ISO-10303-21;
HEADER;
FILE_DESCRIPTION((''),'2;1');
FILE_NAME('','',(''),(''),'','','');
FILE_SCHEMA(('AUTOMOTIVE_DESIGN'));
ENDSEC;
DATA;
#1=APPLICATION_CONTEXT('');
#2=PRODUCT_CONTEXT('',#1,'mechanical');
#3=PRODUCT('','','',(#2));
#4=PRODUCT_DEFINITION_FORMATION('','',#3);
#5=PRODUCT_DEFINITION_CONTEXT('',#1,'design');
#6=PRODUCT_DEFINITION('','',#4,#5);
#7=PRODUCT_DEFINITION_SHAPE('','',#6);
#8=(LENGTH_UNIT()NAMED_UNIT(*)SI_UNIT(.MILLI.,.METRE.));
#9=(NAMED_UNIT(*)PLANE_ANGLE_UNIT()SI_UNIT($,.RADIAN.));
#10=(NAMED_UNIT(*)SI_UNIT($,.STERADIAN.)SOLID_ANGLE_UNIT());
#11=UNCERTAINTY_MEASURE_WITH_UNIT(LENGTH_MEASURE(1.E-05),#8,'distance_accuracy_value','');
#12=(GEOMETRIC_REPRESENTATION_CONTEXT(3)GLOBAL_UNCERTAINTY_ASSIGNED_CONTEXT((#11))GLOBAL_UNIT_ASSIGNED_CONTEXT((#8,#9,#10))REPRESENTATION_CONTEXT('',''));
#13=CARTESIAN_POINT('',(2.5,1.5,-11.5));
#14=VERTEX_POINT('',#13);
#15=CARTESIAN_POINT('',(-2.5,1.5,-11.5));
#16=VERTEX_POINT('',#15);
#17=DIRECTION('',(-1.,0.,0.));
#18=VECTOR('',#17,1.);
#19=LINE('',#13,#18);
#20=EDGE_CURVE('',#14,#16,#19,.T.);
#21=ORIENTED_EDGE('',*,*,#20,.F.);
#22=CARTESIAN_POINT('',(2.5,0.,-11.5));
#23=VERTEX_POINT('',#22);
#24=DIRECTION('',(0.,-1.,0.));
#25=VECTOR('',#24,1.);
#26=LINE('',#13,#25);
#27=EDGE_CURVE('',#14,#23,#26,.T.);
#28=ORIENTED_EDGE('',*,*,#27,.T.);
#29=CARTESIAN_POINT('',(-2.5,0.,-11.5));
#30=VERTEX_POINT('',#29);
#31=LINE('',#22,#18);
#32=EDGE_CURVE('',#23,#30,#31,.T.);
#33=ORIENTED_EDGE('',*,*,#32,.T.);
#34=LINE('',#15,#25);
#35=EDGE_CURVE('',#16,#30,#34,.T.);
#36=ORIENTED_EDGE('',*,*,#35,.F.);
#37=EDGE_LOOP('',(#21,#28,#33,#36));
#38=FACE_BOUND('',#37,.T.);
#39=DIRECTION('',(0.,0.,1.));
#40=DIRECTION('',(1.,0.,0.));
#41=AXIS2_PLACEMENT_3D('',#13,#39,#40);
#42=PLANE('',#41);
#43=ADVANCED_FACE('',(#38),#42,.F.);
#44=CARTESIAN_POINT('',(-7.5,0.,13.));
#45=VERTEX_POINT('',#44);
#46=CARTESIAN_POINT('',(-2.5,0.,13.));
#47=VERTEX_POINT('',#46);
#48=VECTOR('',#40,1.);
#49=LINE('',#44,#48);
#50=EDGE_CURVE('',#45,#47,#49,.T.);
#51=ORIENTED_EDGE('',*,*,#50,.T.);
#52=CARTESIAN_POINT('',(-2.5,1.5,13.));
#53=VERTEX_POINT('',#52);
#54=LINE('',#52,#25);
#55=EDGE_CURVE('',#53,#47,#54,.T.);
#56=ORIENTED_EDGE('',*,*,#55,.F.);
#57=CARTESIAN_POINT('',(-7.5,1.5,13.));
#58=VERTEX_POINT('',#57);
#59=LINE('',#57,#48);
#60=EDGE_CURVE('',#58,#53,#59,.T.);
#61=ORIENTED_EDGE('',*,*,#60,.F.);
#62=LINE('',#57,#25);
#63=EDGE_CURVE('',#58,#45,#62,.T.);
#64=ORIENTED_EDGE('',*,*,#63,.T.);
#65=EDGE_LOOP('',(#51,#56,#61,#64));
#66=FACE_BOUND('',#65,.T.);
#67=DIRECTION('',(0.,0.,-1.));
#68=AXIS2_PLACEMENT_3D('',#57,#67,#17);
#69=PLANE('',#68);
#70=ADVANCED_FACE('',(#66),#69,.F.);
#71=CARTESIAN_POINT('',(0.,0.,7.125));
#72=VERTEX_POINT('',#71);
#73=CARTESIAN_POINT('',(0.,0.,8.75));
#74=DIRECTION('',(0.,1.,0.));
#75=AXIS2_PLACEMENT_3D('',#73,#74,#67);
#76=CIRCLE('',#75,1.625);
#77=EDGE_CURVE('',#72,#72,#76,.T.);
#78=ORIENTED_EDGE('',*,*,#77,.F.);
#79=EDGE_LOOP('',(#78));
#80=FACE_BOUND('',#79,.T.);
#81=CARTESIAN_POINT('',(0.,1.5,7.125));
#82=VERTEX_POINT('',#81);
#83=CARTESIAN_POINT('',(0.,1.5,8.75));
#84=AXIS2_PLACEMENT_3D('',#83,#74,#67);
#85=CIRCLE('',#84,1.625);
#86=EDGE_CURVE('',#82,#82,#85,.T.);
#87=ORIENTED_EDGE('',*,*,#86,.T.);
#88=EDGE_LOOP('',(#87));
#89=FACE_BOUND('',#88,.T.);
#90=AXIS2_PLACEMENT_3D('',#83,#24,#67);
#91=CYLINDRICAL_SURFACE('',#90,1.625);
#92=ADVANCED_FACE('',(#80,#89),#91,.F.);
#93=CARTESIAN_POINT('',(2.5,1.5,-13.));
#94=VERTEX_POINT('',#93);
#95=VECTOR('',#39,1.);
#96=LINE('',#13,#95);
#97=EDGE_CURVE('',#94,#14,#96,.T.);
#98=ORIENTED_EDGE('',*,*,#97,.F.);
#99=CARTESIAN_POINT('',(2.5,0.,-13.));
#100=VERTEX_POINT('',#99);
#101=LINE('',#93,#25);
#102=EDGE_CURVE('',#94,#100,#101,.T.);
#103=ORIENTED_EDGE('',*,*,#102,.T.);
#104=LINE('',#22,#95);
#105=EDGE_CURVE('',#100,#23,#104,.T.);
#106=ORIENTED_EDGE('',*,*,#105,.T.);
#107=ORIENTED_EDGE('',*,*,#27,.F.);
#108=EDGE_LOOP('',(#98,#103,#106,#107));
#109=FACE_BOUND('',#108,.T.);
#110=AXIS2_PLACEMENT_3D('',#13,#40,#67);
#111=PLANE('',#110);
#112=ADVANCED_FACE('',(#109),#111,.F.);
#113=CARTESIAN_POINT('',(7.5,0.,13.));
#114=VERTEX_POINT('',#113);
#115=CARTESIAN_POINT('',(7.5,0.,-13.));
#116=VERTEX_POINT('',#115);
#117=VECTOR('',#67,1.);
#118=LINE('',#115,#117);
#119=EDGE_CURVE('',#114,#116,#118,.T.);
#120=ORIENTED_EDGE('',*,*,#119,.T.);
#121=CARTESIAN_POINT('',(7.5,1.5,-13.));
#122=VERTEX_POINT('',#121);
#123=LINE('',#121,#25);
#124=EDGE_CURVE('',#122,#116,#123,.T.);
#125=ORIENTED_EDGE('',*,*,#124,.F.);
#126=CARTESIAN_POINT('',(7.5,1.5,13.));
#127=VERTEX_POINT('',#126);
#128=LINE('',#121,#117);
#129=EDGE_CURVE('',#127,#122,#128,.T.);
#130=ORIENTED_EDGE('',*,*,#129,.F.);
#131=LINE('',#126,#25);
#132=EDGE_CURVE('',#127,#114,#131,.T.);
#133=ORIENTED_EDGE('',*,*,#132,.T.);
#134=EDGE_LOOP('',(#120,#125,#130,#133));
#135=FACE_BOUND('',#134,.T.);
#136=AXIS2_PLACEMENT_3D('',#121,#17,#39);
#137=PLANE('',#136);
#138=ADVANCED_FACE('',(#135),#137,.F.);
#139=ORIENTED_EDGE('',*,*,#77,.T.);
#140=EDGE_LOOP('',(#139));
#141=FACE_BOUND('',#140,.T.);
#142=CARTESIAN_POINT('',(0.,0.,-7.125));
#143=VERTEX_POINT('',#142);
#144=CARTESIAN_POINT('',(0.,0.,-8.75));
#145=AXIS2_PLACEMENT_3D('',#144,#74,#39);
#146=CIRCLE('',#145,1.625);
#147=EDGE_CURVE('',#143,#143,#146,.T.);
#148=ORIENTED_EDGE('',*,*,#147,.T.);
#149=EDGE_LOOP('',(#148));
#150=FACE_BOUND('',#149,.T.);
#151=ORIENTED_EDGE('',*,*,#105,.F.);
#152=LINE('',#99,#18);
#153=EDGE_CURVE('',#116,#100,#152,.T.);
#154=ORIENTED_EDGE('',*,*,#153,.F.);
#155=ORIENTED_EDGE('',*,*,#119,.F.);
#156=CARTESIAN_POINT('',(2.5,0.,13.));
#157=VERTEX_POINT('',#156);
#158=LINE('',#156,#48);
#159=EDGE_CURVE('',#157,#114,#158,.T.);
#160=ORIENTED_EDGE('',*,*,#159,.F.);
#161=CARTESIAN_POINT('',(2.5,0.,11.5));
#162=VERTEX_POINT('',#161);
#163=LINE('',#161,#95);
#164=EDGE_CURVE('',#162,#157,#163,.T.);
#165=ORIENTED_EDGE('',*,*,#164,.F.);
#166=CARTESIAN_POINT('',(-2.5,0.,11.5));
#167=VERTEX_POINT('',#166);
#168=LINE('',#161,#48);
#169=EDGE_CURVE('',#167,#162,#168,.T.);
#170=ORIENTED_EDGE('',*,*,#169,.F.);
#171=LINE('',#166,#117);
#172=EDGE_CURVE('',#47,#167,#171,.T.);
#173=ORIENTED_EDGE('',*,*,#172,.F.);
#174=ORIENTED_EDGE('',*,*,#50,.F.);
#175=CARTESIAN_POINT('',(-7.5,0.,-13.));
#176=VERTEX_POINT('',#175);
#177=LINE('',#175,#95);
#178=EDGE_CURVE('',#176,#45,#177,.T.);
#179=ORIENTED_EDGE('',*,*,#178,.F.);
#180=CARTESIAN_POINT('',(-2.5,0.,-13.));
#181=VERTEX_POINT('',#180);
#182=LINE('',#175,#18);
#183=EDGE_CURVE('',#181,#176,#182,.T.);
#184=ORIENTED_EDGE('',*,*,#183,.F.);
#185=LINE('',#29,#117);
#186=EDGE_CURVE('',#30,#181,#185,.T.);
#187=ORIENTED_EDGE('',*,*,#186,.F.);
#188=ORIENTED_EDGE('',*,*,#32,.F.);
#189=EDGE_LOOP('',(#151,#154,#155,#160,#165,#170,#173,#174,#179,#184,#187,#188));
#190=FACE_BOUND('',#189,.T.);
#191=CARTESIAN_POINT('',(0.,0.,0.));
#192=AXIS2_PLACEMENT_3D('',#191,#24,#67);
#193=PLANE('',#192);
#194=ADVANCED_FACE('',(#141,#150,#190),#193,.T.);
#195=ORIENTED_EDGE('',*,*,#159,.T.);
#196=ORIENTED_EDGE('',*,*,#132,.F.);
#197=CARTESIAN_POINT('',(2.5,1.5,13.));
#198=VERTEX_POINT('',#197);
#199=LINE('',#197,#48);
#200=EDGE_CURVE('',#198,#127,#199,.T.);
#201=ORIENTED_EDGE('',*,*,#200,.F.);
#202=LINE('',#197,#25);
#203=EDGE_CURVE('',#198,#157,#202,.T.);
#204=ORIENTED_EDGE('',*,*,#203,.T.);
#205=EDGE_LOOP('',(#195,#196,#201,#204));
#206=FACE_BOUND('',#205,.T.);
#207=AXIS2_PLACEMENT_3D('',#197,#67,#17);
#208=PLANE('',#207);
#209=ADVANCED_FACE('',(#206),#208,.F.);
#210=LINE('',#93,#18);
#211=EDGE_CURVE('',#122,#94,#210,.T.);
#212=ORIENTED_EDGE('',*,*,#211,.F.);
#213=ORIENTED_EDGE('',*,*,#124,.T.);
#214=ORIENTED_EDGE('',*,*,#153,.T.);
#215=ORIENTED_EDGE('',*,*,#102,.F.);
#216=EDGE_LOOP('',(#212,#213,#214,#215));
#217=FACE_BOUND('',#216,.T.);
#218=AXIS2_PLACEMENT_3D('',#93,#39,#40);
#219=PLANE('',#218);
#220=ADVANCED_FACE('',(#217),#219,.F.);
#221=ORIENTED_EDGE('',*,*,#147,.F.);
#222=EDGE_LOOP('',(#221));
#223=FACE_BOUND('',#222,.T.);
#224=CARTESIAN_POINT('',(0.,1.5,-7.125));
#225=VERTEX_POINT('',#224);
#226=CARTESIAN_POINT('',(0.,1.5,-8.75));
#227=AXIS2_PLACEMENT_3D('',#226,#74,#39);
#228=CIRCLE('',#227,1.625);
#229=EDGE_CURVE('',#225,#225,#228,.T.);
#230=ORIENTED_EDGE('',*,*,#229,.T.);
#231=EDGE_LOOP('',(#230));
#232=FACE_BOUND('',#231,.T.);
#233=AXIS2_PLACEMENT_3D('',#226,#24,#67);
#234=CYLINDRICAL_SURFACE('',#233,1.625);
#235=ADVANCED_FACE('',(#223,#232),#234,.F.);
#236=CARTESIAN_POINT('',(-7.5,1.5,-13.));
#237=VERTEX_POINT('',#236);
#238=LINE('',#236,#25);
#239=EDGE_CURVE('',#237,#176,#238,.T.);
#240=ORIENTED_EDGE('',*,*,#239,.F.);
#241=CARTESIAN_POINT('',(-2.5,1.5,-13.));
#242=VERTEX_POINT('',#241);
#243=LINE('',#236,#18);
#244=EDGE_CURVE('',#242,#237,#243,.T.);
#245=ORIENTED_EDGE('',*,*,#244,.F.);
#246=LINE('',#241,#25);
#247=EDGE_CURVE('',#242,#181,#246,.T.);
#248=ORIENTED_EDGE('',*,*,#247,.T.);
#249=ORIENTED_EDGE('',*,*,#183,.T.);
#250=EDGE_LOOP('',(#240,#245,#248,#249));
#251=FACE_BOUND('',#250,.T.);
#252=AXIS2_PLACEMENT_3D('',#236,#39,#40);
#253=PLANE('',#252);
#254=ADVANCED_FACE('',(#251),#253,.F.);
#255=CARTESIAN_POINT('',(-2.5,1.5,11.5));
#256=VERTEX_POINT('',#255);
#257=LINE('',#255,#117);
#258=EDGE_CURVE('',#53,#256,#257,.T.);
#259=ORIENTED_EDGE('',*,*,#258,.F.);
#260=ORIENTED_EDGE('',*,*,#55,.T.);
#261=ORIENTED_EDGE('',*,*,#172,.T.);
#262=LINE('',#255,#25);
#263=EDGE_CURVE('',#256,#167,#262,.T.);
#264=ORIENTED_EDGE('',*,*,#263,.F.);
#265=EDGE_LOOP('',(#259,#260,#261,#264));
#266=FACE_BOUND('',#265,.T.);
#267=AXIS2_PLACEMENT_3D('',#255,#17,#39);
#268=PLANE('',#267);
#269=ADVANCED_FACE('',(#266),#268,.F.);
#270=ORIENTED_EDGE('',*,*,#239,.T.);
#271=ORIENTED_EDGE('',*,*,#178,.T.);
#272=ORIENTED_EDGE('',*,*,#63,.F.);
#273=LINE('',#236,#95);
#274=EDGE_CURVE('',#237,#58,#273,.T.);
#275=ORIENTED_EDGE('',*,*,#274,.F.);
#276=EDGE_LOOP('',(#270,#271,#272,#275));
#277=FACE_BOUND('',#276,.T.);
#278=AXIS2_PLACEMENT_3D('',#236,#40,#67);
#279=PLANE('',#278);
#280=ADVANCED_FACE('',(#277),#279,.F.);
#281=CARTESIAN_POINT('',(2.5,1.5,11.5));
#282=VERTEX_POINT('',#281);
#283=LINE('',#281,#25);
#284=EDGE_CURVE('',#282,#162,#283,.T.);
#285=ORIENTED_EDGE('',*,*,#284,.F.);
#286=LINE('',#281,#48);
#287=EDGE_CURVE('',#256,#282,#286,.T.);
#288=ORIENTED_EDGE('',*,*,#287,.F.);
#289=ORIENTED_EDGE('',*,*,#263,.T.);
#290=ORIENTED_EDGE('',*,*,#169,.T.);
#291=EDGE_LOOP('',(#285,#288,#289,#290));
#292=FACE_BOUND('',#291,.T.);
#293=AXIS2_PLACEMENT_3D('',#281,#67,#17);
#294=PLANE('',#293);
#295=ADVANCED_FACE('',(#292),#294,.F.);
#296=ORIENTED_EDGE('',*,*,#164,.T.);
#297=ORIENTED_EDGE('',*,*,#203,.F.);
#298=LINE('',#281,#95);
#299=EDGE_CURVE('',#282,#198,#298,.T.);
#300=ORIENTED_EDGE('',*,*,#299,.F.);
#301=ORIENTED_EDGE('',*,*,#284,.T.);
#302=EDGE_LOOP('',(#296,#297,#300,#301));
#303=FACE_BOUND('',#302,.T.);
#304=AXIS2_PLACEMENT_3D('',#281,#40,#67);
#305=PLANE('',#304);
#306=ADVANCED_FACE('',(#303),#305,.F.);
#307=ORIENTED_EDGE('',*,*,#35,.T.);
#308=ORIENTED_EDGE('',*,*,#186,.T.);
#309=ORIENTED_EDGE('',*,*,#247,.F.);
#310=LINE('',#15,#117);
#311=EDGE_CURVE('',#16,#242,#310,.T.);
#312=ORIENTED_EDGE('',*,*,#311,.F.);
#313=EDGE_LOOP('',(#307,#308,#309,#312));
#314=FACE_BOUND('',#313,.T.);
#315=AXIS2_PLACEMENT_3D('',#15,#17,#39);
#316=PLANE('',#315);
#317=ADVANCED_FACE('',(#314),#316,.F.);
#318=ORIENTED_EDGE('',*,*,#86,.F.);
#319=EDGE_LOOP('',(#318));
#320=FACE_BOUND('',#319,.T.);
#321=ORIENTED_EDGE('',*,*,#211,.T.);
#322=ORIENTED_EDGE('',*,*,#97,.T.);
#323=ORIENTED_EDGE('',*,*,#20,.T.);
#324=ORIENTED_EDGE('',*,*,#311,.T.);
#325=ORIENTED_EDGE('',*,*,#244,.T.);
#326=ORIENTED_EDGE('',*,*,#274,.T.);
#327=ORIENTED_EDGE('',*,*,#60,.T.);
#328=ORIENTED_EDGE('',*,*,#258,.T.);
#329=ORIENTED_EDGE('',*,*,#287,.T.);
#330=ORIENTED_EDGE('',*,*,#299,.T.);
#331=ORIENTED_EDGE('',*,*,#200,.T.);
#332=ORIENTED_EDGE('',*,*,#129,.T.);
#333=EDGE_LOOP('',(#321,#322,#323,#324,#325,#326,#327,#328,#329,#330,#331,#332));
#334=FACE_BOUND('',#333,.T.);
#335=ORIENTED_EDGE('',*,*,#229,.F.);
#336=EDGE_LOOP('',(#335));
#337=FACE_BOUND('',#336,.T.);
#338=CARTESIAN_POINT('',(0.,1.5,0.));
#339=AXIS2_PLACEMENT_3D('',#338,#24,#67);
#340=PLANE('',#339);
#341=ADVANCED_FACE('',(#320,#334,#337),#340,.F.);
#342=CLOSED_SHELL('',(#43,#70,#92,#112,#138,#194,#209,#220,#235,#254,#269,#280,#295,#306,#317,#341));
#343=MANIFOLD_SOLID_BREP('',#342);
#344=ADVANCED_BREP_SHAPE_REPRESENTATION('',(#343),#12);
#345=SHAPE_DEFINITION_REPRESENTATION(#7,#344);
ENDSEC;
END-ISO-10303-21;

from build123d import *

# Parameters (mm, degrees)
SKETCH1_R           = 1.625
BOSS_EXTRUDE1_DEPTH = 1.5


with BuildPart() as part:
    # Sketch1 → Boss-Extrude1 (new body)
    with BuildSketch(Plane(origin=(0, 0, 0), x_dir=(1, 0, 0), z_dir=(0, 1, 0))):
        Polygon((-7.5, 13), (-2.5, 13), (-2.5, 11.5), (2.5, 11.5), (2.5, 13), (7.5, 13), (7.5, -13), (2.5, -13), (2.5, -11.5), (-2.5, -11.5), (-2.5, -13), (-7.5, -13), align=None)
        with Locations(Location((0, 8.75, 0), (0, 0, 270))):
            Circle(SKETCH1_R, mode=Mode.SUBTRACT)
        with Locations(Location((0, -8.75, 0), (0, 0, 90))):
            Circle(SKETCH1_R, mode=Mode.SUBTRACT)
    extrude(amount=BOSS_EXTRUDE1_DEPTH)


solid = part.part
